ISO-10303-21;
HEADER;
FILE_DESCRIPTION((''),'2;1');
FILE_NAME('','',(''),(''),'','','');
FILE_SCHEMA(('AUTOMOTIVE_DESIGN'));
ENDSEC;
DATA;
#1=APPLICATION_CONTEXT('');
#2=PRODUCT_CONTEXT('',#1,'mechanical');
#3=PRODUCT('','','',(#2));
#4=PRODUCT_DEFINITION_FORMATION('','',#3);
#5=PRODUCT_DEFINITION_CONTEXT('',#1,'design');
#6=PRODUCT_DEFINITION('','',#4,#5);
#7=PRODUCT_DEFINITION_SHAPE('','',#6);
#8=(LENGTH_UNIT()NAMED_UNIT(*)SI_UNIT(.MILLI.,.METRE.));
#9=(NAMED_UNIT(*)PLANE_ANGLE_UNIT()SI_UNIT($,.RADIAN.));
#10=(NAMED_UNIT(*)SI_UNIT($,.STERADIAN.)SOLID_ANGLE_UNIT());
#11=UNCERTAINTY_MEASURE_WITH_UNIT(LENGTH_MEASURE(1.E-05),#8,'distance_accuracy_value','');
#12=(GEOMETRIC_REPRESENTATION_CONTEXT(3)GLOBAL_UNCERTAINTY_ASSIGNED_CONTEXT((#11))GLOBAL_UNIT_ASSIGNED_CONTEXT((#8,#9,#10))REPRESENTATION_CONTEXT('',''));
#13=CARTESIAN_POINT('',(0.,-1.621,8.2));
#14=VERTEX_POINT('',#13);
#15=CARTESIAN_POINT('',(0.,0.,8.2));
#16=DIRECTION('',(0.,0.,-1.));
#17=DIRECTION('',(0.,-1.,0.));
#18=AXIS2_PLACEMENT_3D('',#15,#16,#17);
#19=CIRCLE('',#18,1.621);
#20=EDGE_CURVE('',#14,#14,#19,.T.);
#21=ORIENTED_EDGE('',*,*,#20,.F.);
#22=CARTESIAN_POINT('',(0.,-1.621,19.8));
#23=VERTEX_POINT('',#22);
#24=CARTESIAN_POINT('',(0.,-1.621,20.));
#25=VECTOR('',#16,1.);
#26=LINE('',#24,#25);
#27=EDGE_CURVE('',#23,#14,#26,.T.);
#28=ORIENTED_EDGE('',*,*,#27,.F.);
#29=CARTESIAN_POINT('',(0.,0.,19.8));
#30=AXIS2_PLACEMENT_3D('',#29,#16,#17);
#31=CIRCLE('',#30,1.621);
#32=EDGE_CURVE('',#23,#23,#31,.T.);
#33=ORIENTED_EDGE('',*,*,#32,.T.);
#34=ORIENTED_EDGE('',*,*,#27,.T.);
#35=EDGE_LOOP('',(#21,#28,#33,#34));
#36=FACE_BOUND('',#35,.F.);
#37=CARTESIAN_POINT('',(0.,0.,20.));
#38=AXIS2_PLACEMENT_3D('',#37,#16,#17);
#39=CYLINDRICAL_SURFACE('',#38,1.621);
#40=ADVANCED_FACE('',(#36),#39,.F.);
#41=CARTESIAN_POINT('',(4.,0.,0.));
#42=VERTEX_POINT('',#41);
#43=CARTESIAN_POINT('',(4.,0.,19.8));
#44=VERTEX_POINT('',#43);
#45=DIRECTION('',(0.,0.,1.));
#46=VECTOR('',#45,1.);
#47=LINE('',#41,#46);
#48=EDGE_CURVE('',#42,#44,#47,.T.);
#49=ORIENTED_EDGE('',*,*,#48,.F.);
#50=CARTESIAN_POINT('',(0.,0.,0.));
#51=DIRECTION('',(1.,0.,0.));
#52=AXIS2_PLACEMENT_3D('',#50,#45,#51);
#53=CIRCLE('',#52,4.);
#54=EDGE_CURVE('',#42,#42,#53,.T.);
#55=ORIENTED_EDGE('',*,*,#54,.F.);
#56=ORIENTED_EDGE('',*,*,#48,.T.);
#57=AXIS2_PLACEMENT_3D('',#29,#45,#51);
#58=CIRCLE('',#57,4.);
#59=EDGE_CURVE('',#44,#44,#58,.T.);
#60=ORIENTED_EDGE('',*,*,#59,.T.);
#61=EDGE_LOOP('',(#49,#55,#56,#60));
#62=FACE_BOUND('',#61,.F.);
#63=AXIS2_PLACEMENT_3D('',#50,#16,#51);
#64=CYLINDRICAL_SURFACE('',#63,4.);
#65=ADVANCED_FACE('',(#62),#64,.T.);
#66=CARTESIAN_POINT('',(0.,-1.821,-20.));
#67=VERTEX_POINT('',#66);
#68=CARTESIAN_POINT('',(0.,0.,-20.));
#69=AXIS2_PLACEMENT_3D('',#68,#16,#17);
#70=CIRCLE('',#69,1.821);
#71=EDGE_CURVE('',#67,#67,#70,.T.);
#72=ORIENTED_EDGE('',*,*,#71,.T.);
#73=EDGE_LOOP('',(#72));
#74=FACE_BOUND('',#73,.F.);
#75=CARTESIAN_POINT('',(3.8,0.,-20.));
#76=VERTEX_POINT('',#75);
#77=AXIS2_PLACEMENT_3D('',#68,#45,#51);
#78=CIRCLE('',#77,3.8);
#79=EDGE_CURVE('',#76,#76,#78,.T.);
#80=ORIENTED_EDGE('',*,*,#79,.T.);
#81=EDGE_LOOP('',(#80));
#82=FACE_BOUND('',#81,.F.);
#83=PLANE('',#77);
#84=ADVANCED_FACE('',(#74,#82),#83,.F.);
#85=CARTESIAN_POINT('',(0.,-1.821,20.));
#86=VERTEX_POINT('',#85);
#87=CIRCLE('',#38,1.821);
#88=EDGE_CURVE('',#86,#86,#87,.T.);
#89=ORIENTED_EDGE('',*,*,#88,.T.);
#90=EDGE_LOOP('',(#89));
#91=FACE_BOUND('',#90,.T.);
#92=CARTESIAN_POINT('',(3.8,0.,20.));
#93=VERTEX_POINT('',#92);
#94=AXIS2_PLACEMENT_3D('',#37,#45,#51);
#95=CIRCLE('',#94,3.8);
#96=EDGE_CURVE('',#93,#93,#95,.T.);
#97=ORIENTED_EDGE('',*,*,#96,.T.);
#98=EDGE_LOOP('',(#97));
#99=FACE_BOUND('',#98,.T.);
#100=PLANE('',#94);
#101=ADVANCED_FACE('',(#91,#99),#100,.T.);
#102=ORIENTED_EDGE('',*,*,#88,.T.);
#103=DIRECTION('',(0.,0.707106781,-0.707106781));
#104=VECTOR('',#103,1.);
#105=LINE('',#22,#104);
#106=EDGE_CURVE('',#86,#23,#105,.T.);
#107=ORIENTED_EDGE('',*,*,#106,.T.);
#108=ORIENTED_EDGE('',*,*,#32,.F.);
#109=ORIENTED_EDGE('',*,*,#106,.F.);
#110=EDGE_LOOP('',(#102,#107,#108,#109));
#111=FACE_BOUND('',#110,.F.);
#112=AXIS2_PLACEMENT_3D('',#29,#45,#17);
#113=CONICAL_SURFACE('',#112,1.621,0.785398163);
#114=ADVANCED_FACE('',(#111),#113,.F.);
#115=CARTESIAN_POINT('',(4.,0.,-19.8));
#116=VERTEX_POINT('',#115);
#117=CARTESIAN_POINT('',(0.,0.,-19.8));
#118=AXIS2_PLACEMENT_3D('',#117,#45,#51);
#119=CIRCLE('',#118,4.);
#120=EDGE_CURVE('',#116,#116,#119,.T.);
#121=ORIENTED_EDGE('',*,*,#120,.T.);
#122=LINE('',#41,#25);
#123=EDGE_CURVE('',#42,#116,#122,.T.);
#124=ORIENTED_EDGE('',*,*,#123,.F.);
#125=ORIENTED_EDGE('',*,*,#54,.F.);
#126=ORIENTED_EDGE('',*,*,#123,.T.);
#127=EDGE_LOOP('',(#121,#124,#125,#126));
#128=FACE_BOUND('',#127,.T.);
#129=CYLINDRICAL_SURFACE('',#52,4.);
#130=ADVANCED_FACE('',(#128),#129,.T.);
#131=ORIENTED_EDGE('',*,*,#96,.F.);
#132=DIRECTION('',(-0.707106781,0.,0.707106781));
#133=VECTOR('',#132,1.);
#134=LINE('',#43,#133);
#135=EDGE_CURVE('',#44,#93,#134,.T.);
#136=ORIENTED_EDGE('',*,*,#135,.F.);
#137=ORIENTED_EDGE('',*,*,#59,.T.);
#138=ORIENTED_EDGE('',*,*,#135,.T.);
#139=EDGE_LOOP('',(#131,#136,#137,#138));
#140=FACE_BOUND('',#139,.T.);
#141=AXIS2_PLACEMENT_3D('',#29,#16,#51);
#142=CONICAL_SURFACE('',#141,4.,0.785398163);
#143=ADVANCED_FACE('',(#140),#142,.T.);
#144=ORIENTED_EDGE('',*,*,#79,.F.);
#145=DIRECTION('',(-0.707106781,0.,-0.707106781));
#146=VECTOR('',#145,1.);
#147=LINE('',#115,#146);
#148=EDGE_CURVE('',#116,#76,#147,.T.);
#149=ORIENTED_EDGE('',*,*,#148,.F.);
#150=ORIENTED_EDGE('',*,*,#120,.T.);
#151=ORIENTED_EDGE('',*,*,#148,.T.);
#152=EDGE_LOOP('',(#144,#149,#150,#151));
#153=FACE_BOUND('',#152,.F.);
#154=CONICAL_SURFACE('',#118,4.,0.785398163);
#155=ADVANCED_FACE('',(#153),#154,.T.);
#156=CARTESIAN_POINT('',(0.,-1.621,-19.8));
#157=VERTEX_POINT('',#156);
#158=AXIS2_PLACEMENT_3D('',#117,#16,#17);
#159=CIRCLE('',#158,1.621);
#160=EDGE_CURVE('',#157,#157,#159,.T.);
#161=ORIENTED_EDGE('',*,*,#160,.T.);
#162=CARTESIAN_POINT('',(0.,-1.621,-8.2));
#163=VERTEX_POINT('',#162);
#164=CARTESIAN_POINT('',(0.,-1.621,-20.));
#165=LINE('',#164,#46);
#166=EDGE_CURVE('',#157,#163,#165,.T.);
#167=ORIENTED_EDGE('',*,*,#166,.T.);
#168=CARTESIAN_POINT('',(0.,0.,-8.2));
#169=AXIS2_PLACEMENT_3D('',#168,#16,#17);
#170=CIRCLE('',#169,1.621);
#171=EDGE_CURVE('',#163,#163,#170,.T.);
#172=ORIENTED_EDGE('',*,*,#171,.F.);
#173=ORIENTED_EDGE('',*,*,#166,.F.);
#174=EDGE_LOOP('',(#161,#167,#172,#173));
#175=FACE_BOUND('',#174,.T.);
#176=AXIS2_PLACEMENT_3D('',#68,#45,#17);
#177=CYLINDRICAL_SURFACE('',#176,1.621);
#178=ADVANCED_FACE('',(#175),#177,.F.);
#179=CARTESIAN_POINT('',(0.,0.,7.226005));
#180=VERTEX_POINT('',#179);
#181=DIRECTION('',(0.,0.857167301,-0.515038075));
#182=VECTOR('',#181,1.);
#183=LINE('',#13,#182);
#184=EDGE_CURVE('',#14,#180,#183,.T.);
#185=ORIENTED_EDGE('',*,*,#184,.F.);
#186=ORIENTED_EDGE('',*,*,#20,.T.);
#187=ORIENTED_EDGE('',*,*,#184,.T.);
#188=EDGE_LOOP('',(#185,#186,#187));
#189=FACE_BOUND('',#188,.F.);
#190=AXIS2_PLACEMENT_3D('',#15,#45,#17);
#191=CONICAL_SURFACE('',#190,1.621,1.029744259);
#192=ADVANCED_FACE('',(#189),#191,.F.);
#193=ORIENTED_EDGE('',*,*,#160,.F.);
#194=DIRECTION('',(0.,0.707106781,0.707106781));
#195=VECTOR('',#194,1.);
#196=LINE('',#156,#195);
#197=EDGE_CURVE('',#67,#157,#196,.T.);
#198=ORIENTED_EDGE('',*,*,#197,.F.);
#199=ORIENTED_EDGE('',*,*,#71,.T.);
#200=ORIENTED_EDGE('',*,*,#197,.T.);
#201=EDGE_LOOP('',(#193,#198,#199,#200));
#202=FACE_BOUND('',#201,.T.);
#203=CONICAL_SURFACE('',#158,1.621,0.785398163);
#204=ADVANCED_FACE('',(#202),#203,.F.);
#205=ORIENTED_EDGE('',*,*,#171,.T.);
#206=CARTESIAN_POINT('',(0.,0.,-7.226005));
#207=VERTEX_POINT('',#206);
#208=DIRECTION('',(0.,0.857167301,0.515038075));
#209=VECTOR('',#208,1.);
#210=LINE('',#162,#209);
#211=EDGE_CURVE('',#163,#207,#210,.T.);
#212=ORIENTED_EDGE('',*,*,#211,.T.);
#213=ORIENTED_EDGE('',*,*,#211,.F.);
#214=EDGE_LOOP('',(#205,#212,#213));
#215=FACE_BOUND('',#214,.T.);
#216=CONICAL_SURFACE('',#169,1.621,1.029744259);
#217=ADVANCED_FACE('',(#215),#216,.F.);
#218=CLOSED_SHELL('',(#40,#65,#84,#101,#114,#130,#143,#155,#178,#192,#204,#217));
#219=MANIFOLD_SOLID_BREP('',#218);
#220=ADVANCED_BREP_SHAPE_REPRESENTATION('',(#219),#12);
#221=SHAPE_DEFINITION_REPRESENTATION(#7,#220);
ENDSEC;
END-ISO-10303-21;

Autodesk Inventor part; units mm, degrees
ref_plane "YZ Plane" through (0, 0, 0) normal (1, 0, 0) x (0, 1, 0)
ref_plane "XZ Plane" through (0, 0, 0) normal (0, 1, 0) x (-1, 0, 0)
ref_plane "XY Plane" through (0, 0, 0) normal (0, 0, 1) x (1, 0, 0)
sketch "スケッチ1" plane through (0, 0, 0) normal (0, 0, 1) x (1, 0, 0)
  circle A0 centre (0, 0) radius 4
  dimension "d13" = 8
extrude "押し出し1" add sketch "スケッチ1" along normal mid plane 40
sketch "スケッチ2" plane through (0, 0, 20) normal (0, 0, 1) x (1, 0, 0)
  point P0 (0, 0)
  point P1 (0, 0)
hole "穴1" at (0, 0, 20) direction (0, 0, -1) diameter 3.242 depth 11.8 tip angle 118 thread size "M4x0.7" class "6H" standard "ANSI Metric M Profile"
mirror "ミラー1" about plane through (0, 0, 0) normal (0, 0, 1) of "穴1"
chamfer "面取り1" distance 0.2 angle 45 4 edges at (0, 1.621, 20) (-4, 0, 20) (-4, 0, -20) (0, 1.621, -20)
properties part number "unir-spacer5" material "鋼、炭素鋼"
